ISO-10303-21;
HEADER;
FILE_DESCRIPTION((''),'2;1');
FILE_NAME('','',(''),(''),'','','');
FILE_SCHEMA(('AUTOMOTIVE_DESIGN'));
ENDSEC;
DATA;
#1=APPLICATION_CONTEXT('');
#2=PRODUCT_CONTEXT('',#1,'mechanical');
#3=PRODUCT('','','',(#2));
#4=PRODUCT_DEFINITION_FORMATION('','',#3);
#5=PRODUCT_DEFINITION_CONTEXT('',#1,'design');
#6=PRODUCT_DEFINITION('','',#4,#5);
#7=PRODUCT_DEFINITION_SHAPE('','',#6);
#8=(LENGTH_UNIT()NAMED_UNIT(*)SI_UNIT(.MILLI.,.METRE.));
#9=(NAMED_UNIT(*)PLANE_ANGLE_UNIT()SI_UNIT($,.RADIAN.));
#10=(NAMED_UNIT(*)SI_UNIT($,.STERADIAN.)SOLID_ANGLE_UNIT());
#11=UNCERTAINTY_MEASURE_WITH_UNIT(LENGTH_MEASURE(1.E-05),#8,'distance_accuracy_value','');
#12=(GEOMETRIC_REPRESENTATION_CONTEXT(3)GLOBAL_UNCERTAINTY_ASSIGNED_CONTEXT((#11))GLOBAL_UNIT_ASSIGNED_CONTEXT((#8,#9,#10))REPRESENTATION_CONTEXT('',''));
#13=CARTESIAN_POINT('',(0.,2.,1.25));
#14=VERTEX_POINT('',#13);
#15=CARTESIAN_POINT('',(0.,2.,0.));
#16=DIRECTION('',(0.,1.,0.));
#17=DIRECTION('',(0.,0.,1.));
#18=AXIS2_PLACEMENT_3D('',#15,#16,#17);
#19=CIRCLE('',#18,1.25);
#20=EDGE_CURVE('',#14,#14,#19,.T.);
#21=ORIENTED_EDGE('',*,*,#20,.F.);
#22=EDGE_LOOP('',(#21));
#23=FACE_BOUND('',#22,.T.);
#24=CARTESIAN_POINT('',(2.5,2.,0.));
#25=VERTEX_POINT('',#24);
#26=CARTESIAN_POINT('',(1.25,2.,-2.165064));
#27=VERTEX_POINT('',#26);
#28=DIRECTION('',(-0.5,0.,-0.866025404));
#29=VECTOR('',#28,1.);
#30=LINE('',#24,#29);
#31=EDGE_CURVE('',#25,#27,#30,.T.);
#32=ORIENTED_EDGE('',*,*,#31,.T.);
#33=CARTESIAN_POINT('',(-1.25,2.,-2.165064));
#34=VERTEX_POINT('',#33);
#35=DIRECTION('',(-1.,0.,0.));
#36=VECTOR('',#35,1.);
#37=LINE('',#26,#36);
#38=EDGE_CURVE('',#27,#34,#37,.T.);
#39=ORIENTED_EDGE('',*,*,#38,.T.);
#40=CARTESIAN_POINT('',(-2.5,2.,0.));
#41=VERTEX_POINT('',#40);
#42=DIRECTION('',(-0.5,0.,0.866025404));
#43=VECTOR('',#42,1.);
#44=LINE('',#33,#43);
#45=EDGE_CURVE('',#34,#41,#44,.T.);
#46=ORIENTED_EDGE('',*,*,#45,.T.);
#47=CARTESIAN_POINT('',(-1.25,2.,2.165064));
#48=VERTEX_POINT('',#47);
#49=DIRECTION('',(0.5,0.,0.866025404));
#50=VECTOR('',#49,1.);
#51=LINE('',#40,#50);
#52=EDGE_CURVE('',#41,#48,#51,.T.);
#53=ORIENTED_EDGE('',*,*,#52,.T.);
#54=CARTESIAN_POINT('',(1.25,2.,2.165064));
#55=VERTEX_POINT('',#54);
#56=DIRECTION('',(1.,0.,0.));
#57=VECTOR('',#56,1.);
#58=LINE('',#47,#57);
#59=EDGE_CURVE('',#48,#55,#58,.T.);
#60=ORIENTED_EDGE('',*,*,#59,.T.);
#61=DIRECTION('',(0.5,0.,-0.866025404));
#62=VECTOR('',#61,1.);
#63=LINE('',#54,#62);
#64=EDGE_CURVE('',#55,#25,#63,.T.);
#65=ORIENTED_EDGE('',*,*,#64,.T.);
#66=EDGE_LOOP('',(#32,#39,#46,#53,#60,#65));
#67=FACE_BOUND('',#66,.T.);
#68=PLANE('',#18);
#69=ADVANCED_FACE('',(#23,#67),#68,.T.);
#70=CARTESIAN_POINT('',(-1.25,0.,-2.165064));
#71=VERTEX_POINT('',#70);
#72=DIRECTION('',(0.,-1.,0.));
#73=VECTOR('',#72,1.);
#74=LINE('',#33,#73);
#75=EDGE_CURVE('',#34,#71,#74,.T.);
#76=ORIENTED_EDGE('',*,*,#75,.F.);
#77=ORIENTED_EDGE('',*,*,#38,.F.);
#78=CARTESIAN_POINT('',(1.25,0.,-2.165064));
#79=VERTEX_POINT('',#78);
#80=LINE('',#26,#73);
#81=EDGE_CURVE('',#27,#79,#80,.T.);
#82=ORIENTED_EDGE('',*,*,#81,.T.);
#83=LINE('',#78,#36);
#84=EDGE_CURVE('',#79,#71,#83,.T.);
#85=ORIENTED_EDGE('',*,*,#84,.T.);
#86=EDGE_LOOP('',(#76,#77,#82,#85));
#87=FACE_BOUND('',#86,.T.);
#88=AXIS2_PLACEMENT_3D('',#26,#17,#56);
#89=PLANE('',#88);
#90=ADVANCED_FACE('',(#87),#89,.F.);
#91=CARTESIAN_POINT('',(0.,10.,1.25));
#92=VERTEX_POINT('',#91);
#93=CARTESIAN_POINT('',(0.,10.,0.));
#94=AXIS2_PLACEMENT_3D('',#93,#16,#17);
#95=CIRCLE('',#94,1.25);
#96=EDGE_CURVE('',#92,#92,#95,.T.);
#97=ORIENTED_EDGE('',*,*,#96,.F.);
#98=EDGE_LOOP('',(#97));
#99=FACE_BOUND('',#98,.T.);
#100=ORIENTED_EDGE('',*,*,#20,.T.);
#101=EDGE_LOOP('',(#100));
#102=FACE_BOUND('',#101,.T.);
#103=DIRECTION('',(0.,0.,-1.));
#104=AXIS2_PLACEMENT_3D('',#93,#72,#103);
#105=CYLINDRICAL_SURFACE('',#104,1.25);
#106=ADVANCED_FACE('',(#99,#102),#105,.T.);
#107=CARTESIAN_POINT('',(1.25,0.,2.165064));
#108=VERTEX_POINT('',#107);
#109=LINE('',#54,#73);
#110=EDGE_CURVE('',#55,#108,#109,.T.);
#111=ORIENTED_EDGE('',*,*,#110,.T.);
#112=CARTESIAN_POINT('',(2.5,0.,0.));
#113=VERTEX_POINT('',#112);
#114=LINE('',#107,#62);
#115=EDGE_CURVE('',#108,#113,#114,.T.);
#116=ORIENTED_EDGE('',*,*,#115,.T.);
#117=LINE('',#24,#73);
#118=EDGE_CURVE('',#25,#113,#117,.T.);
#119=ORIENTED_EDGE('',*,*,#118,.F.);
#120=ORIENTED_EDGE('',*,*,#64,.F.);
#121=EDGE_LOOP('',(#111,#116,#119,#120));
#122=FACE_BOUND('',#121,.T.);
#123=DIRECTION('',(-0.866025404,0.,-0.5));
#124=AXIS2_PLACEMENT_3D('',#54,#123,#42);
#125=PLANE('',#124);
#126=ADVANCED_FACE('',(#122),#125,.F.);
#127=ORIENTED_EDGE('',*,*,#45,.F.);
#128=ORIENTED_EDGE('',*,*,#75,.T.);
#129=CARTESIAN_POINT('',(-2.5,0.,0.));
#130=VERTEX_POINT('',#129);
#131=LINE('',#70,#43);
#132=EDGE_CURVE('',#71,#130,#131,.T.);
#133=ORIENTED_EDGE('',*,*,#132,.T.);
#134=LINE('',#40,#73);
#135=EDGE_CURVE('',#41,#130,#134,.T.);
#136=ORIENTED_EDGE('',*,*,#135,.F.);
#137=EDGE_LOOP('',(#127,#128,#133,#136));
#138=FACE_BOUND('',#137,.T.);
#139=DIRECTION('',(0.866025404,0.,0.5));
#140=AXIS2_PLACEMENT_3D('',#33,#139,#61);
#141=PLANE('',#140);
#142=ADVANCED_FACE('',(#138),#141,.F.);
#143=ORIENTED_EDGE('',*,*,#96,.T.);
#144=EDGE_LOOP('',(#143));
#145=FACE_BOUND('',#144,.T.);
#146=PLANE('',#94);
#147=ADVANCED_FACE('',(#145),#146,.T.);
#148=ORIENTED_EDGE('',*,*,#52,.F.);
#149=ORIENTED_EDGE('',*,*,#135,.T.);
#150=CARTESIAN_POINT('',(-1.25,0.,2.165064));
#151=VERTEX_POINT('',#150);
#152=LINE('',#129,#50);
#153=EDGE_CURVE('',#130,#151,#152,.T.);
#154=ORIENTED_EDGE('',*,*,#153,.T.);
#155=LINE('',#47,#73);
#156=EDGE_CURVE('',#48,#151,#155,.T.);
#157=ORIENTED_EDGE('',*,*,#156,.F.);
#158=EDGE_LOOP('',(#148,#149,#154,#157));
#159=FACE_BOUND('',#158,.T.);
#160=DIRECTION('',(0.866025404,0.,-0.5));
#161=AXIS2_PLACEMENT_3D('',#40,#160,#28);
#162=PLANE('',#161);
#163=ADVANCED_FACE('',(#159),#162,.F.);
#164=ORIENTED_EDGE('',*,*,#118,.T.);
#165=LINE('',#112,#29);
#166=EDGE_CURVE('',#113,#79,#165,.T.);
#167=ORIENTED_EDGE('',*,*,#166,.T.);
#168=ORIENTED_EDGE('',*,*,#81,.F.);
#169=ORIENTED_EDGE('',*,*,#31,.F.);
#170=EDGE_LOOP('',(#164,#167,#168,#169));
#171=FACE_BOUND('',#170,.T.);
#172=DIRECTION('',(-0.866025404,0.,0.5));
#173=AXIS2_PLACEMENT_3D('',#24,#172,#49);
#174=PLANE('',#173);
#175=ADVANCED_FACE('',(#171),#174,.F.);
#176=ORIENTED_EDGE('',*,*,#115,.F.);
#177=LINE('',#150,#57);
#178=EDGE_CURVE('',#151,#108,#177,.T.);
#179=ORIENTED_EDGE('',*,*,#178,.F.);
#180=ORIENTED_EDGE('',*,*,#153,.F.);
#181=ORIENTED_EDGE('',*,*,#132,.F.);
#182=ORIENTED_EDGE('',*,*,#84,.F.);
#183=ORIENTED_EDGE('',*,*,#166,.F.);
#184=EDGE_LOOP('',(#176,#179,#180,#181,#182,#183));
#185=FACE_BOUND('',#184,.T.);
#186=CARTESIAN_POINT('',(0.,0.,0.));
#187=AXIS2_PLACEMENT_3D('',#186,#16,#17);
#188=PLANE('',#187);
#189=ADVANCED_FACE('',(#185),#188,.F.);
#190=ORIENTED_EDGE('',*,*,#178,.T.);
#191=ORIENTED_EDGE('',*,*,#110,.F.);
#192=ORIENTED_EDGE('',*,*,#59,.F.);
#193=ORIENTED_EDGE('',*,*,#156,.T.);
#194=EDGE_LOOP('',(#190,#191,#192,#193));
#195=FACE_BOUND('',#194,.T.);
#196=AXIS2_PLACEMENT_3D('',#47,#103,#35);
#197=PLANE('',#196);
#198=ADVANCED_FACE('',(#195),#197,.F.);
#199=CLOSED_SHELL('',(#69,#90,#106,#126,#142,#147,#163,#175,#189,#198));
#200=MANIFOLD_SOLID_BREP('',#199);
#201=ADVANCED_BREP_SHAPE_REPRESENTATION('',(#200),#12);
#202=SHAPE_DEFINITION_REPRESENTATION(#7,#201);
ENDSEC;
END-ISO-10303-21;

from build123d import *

# Parameters (mm, degrees)
EXTRUDE_1_DEPTH = 2
SKETCH_2_R      = 1.25
EXTRUDE_2_DEPTH = 8


with BuildPart() as part:
    # 草图1 → 凸台-拉伸1 (new body)
    with BuildSketch(Plane(origin=(0, 0, 0), x_dir=(1, 0, 0), z_dir=(0, 1, 0))):
        Polygon((1.25, 2.165063509), (-1.25, 2.165063509), (-2.5, 0), (-1.25, -2.165063509), (1.25, -2.165063509), (2.5, 0), align=None)
    extrude(amount=EXTRUDE_1_DEPTH)

    # 草图2 → 凸台-拉伸2 (add)
    with BuildSketch(Plane(origin=(0, 2, 0), x_dir=(1, 0, 0), z_dir=(0, 1, 0))):
        with Locations(Location((0, 0, 0), (0, 0, 270))):
            Circle(SKETCH_2_R)
    extrude(amount=EXTRUDE_2_DEPTH)


solid = part.part
